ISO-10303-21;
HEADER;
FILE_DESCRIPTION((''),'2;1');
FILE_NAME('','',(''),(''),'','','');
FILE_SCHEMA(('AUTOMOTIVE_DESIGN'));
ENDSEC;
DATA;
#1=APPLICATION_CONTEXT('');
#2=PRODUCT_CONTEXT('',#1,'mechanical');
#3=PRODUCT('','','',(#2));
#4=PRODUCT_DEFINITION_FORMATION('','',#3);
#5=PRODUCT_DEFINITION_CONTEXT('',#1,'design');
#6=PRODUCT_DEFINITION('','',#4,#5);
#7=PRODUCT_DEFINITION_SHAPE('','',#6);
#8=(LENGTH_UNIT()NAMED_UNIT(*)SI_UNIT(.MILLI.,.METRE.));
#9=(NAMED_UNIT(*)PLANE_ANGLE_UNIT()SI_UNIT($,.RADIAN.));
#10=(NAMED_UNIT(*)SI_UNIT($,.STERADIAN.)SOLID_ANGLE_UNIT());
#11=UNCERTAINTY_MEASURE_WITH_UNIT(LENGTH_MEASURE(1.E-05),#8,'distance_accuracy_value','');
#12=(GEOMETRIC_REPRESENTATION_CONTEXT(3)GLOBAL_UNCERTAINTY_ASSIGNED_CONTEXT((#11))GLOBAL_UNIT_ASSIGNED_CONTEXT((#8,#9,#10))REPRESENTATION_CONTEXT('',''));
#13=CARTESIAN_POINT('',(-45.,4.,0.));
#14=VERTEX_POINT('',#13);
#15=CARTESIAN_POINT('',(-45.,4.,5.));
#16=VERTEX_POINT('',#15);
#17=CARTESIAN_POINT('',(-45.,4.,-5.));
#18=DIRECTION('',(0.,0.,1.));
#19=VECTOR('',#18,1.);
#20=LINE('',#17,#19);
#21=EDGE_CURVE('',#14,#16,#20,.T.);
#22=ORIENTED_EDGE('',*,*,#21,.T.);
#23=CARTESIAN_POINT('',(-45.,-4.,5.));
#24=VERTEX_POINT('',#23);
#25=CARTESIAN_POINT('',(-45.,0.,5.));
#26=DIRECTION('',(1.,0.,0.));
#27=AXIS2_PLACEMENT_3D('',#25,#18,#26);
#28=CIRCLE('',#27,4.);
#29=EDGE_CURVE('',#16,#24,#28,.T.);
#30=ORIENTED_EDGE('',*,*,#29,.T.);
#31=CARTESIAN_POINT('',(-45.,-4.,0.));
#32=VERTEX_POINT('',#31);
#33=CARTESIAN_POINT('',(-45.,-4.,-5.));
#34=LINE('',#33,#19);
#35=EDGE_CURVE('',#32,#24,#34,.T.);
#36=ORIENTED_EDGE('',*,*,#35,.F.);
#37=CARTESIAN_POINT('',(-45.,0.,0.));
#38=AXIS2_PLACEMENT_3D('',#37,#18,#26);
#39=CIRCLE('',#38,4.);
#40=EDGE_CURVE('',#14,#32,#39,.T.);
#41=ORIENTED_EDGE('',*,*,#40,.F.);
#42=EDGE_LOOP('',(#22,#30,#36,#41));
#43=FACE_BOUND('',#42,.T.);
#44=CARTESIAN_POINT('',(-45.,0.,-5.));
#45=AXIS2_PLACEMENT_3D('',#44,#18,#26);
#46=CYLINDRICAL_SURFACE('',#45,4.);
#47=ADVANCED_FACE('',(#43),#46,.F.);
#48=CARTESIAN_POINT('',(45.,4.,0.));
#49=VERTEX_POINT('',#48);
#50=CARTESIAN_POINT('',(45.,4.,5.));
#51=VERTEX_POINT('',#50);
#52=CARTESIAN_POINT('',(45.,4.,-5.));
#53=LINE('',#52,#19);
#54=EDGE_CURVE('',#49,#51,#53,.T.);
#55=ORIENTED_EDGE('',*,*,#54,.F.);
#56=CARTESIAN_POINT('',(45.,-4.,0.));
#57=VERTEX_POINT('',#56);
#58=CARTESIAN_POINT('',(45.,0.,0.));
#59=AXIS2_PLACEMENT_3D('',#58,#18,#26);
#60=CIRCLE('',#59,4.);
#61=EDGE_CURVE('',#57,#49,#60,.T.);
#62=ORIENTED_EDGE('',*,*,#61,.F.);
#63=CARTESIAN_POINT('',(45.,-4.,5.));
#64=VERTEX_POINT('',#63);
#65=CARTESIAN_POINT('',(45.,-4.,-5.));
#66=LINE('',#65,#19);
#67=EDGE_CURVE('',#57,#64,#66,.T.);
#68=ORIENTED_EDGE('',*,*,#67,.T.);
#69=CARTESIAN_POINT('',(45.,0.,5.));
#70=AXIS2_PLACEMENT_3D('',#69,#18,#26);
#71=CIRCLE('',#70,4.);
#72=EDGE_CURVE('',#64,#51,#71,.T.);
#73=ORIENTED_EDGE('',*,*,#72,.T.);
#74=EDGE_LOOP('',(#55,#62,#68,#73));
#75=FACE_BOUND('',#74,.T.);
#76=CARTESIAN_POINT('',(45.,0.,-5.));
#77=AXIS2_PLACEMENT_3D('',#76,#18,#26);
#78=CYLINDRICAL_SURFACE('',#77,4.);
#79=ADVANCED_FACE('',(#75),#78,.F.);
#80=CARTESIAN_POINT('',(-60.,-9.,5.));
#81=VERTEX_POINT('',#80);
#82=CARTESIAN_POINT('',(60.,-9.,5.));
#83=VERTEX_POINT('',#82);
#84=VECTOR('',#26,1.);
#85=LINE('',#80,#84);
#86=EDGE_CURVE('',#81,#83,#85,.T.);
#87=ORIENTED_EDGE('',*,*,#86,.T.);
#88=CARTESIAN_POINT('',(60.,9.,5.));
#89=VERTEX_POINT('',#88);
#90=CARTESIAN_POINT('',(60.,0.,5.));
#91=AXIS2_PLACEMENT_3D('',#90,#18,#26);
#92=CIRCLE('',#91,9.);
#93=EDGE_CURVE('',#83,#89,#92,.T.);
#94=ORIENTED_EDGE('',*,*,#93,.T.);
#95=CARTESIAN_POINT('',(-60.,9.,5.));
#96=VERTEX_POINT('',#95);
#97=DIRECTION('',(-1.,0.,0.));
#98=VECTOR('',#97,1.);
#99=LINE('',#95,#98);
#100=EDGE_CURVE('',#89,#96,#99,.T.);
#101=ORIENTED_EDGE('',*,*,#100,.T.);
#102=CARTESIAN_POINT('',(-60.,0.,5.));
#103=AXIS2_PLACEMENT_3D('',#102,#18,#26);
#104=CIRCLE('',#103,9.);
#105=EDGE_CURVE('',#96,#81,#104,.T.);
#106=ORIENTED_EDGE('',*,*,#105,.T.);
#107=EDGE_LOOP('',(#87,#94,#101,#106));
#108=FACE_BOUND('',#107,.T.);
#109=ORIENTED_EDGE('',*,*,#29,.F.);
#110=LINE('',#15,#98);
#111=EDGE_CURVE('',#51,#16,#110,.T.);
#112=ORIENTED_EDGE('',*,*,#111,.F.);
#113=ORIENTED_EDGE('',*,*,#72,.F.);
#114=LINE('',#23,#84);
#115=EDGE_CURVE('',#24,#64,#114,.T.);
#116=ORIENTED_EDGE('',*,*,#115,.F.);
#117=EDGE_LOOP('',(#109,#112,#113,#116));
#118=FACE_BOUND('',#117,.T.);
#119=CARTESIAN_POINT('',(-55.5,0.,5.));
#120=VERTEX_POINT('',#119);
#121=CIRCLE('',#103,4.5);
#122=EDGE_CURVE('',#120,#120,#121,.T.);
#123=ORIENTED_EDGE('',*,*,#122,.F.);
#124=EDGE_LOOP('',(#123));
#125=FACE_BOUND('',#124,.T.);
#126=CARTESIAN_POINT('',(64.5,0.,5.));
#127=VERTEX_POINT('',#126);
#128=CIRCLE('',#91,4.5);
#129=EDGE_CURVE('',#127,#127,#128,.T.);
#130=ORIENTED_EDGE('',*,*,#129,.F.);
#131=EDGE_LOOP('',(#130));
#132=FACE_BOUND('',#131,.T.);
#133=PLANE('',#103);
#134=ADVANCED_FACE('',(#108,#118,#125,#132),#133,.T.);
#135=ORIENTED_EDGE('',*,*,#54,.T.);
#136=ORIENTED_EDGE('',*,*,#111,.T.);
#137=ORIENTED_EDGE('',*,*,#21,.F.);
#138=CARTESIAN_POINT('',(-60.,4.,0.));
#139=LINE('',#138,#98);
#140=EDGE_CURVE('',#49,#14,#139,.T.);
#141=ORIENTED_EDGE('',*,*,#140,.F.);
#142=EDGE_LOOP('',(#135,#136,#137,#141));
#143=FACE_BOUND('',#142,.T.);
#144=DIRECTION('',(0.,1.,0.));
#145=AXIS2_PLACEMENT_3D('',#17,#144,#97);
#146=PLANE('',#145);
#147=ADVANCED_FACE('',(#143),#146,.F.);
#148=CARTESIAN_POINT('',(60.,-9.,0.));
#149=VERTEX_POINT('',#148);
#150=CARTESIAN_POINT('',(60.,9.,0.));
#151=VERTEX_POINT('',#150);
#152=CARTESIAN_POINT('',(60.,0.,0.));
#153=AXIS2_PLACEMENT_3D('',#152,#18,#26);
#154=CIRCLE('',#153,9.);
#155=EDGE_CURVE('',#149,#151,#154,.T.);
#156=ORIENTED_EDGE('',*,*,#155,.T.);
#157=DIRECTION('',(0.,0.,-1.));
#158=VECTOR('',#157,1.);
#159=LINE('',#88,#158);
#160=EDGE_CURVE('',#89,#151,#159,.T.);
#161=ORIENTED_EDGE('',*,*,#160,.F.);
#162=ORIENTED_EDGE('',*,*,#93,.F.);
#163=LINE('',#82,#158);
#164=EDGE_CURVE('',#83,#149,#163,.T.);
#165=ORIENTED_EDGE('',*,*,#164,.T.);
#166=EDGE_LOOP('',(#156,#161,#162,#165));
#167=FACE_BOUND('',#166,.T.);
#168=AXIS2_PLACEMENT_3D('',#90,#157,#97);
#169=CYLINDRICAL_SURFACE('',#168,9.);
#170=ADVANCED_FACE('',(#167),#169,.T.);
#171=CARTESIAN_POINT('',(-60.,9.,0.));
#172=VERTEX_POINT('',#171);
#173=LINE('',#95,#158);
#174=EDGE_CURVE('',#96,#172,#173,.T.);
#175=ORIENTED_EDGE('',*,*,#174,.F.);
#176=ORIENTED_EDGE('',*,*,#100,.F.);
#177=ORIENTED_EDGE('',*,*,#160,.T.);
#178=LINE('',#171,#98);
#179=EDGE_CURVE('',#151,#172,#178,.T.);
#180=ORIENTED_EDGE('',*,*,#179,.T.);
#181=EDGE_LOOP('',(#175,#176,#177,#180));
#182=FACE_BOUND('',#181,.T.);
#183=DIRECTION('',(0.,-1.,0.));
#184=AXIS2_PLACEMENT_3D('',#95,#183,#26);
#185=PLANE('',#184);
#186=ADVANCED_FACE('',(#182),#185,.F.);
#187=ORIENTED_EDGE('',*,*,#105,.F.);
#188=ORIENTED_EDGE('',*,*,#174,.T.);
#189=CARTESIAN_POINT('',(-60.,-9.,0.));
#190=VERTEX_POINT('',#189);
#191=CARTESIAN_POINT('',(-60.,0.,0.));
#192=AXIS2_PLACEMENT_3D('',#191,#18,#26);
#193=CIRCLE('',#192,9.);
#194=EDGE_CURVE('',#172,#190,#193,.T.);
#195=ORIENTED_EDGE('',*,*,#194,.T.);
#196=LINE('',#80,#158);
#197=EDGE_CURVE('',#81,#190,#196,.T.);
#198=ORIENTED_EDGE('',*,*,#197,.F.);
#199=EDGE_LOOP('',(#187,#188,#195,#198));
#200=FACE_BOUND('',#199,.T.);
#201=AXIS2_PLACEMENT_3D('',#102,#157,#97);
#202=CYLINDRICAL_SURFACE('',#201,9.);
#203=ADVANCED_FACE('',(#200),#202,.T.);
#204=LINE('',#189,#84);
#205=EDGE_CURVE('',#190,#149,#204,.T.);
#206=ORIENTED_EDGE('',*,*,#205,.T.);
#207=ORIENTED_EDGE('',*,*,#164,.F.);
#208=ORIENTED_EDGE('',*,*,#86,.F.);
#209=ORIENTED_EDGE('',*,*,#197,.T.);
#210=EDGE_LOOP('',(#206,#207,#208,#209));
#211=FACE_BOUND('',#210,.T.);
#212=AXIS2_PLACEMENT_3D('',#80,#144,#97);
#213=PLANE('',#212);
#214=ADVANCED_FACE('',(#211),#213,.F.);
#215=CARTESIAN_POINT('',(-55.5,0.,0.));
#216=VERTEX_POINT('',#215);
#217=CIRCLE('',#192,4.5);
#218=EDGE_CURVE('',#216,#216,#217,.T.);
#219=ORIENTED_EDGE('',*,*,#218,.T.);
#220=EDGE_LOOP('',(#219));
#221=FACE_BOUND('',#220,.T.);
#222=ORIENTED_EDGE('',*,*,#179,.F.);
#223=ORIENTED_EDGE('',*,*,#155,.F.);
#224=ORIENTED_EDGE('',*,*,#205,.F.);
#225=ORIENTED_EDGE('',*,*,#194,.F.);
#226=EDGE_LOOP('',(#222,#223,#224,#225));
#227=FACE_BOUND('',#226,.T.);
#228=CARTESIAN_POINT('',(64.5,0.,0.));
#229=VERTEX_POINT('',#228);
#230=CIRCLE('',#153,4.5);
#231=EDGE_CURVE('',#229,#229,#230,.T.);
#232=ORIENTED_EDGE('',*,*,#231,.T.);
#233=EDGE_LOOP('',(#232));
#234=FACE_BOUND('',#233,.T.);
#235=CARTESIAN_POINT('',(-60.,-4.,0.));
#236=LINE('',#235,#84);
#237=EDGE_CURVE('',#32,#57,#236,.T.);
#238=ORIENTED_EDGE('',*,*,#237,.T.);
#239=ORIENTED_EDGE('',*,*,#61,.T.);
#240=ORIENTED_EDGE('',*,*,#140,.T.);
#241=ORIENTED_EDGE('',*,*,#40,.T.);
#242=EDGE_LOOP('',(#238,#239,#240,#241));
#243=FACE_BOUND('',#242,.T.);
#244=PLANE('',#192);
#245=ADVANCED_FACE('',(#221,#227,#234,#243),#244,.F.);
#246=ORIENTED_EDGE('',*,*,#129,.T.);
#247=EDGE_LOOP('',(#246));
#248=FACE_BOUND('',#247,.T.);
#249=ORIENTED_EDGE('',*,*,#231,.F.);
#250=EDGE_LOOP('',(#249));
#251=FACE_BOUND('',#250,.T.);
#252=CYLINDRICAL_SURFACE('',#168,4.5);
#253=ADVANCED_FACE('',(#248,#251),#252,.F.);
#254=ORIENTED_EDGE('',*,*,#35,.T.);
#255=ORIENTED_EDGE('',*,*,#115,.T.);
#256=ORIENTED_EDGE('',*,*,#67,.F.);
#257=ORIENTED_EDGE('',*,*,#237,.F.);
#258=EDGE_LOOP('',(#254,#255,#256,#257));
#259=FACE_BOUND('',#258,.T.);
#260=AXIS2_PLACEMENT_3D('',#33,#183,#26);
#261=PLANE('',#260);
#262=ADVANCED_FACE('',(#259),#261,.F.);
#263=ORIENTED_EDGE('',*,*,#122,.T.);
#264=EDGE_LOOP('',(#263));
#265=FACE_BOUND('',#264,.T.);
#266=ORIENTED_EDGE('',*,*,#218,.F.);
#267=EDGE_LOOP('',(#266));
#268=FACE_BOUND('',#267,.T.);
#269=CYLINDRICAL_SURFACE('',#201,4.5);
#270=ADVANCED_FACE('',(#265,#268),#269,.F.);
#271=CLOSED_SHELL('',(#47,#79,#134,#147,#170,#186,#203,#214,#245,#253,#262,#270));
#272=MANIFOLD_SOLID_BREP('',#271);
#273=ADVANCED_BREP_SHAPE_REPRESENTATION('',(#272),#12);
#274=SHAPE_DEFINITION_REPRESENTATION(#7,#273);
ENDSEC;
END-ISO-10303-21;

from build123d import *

# Parameters (mm, degrees)
SKETCH1_R           = 4.5
BOSS_EXTRUDE1_DEPTH = 5
CUT_EXTRUDE1_DEPTH  = 10


with BuildPart() as part:
    # Sketch1 → Boss-Extrude1 (new body)
    with BuildSketch(Plane.XY):
        with BuildLine():
            Line((-60, 9), (60, 9))
            ThreePointArc((60, 9), (69, 0), (60, -9))
            Line((60, -9), (-60, -9))
            ThreePointArc((-60, -9), (-69, 0), (-60, 9))
        make_face()
        with Locations((-60, 0)):
            Circle(SKETCH1_R, mode=Mode.SUBTRACT)
        with Locations((60, 0)):
            Circle(SKETCH1_R, mode=Mode.SUBTRACT)
    extrude(amount=BOSS_EXTRUDE1_DEPTH)

    # Sketch2 → Cut-Extrude1 (cut)
    with BuildSketch(Plane.XY.offset(5)):
        with BuildLine():
            Line((-45, 4), (45, 4))
            ThreePointArc((45, 4), (49, 0), (45, -4))
            Line((45, -4), (-45, -4))
            ThreePointArc((-45, -4), (-49, 0), (-45, 4))
        make_face()
    extrude(amount=-CUT_EXTRUDE1_DEPTH, mode=Mode.SUBTRACT)


solid = part.part
